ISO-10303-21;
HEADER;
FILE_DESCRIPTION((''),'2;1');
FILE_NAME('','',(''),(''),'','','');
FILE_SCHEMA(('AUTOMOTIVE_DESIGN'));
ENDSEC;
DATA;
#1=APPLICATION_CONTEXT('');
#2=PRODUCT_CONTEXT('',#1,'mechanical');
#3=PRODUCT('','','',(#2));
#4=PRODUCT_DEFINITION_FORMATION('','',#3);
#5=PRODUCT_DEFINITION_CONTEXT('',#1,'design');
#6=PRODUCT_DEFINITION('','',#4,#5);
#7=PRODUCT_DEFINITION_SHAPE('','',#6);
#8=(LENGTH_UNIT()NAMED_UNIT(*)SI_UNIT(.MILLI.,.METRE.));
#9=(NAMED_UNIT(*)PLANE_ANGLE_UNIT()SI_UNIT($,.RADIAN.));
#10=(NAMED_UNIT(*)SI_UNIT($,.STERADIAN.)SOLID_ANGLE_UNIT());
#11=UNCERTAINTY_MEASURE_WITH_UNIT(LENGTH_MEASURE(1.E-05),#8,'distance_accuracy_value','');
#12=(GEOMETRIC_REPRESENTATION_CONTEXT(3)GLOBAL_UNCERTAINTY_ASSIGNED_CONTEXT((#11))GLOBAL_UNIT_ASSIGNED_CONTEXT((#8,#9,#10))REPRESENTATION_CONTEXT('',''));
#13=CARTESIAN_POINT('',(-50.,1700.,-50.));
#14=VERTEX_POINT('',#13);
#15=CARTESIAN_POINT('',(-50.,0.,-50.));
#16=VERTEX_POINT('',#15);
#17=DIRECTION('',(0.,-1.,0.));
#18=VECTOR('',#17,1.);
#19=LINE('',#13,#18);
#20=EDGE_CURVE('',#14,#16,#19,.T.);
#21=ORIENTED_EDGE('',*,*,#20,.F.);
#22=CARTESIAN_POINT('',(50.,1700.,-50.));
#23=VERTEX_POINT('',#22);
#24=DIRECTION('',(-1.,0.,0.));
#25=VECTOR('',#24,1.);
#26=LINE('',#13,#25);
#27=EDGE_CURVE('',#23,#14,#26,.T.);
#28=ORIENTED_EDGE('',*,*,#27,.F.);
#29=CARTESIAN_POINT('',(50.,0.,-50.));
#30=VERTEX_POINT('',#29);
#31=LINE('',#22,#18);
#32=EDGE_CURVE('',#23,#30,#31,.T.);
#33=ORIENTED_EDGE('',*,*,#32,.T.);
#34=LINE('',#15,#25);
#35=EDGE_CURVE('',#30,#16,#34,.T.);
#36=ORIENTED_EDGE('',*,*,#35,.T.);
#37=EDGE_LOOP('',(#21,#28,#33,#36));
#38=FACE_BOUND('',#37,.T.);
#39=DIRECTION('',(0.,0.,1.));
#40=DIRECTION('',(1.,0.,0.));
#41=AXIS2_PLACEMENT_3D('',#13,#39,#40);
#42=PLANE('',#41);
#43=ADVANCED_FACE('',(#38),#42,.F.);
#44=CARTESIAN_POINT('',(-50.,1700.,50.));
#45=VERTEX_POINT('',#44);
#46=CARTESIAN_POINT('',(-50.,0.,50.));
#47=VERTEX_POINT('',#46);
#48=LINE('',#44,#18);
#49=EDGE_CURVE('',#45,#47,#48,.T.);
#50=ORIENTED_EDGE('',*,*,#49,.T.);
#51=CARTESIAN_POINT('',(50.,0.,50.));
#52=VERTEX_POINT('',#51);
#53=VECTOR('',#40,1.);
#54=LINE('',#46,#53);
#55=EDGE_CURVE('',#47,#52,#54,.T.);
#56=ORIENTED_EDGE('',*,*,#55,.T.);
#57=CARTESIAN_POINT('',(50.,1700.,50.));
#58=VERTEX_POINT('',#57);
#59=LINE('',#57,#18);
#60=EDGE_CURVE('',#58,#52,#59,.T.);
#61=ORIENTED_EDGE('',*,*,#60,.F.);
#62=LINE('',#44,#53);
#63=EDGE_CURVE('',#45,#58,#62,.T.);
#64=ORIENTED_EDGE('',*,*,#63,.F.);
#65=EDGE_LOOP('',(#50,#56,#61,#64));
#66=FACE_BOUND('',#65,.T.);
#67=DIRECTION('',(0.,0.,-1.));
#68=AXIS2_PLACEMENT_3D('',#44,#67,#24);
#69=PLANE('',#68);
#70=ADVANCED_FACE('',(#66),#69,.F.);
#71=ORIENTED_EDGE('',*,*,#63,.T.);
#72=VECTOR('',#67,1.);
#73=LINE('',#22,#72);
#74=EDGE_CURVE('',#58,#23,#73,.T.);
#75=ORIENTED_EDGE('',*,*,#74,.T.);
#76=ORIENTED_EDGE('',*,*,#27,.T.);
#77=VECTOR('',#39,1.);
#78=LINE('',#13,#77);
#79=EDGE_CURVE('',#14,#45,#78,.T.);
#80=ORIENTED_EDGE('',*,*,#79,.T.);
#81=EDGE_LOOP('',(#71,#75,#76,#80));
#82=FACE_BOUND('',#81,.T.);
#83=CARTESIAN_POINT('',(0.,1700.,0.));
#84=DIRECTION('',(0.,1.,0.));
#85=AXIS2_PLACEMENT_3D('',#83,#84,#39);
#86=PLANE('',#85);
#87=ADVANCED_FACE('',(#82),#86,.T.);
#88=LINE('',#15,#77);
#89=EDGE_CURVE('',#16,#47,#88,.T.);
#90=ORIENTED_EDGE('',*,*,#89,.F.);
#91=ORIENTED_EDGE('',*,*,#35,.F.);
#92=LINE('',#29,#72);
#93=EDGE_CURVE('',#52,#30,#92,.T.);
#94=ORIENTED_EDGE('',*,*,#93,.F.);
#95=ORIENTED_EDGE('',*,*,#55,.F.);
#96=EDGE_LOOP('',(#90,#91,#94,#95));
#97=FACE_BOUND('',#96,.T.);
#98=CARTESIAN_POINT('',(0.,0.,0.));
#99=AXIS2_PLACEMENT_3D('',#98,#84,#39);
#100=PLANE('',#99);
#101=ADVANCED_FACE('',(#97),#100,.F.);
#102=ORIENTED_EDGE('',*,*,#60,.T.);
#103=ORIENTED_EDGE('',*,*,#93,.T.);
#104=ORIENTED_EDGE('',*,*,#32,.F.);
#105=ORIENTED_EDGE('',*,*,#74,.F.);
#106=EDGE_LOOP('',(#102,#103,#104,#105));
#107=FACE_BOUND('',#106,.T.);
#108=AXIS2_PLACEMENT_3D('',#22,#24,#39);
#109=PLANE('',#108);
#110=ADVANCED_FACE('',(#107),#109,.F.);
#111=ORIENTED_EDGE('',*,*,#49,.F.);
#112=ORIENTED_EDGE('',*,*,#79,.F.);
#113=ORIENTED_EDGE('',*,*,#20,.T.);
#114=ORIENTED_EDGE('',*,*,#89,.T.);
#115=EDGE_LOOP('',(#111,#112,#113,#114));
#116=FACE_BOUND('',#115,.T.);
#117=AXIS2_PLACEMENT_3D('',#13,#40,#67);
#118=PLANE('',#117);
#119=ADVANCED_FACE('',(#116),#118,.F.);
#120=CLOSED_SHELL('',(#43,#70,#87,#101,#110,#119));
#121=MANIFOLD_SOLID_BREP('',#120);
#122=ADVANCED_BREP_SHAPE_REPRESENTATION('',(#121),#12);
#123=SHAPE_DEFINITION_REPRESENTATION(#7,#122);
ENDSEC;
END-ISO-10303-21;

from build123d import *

# Parameters (mm, degrees)
ESBO_O1_W                = 100
ESBO_O1_H                = 100
RESSALTO_EXTRUS_O1_DEPTH = 1700


with BuildPart() as part:
    # Esboço1 → Ressalto-extrusão1 (new body)
    with BuildSketch(Plane(origin=(0, 0, 0), x_dir=(1, 0, 0), z_dir=(0, 1, 0))):
        Rectangle(ESBO_O1_W, ESBO_O1_H)
    extrude(amount=RESSALTO_EXTRUS_O1_DEPTH)


solid = part.part
